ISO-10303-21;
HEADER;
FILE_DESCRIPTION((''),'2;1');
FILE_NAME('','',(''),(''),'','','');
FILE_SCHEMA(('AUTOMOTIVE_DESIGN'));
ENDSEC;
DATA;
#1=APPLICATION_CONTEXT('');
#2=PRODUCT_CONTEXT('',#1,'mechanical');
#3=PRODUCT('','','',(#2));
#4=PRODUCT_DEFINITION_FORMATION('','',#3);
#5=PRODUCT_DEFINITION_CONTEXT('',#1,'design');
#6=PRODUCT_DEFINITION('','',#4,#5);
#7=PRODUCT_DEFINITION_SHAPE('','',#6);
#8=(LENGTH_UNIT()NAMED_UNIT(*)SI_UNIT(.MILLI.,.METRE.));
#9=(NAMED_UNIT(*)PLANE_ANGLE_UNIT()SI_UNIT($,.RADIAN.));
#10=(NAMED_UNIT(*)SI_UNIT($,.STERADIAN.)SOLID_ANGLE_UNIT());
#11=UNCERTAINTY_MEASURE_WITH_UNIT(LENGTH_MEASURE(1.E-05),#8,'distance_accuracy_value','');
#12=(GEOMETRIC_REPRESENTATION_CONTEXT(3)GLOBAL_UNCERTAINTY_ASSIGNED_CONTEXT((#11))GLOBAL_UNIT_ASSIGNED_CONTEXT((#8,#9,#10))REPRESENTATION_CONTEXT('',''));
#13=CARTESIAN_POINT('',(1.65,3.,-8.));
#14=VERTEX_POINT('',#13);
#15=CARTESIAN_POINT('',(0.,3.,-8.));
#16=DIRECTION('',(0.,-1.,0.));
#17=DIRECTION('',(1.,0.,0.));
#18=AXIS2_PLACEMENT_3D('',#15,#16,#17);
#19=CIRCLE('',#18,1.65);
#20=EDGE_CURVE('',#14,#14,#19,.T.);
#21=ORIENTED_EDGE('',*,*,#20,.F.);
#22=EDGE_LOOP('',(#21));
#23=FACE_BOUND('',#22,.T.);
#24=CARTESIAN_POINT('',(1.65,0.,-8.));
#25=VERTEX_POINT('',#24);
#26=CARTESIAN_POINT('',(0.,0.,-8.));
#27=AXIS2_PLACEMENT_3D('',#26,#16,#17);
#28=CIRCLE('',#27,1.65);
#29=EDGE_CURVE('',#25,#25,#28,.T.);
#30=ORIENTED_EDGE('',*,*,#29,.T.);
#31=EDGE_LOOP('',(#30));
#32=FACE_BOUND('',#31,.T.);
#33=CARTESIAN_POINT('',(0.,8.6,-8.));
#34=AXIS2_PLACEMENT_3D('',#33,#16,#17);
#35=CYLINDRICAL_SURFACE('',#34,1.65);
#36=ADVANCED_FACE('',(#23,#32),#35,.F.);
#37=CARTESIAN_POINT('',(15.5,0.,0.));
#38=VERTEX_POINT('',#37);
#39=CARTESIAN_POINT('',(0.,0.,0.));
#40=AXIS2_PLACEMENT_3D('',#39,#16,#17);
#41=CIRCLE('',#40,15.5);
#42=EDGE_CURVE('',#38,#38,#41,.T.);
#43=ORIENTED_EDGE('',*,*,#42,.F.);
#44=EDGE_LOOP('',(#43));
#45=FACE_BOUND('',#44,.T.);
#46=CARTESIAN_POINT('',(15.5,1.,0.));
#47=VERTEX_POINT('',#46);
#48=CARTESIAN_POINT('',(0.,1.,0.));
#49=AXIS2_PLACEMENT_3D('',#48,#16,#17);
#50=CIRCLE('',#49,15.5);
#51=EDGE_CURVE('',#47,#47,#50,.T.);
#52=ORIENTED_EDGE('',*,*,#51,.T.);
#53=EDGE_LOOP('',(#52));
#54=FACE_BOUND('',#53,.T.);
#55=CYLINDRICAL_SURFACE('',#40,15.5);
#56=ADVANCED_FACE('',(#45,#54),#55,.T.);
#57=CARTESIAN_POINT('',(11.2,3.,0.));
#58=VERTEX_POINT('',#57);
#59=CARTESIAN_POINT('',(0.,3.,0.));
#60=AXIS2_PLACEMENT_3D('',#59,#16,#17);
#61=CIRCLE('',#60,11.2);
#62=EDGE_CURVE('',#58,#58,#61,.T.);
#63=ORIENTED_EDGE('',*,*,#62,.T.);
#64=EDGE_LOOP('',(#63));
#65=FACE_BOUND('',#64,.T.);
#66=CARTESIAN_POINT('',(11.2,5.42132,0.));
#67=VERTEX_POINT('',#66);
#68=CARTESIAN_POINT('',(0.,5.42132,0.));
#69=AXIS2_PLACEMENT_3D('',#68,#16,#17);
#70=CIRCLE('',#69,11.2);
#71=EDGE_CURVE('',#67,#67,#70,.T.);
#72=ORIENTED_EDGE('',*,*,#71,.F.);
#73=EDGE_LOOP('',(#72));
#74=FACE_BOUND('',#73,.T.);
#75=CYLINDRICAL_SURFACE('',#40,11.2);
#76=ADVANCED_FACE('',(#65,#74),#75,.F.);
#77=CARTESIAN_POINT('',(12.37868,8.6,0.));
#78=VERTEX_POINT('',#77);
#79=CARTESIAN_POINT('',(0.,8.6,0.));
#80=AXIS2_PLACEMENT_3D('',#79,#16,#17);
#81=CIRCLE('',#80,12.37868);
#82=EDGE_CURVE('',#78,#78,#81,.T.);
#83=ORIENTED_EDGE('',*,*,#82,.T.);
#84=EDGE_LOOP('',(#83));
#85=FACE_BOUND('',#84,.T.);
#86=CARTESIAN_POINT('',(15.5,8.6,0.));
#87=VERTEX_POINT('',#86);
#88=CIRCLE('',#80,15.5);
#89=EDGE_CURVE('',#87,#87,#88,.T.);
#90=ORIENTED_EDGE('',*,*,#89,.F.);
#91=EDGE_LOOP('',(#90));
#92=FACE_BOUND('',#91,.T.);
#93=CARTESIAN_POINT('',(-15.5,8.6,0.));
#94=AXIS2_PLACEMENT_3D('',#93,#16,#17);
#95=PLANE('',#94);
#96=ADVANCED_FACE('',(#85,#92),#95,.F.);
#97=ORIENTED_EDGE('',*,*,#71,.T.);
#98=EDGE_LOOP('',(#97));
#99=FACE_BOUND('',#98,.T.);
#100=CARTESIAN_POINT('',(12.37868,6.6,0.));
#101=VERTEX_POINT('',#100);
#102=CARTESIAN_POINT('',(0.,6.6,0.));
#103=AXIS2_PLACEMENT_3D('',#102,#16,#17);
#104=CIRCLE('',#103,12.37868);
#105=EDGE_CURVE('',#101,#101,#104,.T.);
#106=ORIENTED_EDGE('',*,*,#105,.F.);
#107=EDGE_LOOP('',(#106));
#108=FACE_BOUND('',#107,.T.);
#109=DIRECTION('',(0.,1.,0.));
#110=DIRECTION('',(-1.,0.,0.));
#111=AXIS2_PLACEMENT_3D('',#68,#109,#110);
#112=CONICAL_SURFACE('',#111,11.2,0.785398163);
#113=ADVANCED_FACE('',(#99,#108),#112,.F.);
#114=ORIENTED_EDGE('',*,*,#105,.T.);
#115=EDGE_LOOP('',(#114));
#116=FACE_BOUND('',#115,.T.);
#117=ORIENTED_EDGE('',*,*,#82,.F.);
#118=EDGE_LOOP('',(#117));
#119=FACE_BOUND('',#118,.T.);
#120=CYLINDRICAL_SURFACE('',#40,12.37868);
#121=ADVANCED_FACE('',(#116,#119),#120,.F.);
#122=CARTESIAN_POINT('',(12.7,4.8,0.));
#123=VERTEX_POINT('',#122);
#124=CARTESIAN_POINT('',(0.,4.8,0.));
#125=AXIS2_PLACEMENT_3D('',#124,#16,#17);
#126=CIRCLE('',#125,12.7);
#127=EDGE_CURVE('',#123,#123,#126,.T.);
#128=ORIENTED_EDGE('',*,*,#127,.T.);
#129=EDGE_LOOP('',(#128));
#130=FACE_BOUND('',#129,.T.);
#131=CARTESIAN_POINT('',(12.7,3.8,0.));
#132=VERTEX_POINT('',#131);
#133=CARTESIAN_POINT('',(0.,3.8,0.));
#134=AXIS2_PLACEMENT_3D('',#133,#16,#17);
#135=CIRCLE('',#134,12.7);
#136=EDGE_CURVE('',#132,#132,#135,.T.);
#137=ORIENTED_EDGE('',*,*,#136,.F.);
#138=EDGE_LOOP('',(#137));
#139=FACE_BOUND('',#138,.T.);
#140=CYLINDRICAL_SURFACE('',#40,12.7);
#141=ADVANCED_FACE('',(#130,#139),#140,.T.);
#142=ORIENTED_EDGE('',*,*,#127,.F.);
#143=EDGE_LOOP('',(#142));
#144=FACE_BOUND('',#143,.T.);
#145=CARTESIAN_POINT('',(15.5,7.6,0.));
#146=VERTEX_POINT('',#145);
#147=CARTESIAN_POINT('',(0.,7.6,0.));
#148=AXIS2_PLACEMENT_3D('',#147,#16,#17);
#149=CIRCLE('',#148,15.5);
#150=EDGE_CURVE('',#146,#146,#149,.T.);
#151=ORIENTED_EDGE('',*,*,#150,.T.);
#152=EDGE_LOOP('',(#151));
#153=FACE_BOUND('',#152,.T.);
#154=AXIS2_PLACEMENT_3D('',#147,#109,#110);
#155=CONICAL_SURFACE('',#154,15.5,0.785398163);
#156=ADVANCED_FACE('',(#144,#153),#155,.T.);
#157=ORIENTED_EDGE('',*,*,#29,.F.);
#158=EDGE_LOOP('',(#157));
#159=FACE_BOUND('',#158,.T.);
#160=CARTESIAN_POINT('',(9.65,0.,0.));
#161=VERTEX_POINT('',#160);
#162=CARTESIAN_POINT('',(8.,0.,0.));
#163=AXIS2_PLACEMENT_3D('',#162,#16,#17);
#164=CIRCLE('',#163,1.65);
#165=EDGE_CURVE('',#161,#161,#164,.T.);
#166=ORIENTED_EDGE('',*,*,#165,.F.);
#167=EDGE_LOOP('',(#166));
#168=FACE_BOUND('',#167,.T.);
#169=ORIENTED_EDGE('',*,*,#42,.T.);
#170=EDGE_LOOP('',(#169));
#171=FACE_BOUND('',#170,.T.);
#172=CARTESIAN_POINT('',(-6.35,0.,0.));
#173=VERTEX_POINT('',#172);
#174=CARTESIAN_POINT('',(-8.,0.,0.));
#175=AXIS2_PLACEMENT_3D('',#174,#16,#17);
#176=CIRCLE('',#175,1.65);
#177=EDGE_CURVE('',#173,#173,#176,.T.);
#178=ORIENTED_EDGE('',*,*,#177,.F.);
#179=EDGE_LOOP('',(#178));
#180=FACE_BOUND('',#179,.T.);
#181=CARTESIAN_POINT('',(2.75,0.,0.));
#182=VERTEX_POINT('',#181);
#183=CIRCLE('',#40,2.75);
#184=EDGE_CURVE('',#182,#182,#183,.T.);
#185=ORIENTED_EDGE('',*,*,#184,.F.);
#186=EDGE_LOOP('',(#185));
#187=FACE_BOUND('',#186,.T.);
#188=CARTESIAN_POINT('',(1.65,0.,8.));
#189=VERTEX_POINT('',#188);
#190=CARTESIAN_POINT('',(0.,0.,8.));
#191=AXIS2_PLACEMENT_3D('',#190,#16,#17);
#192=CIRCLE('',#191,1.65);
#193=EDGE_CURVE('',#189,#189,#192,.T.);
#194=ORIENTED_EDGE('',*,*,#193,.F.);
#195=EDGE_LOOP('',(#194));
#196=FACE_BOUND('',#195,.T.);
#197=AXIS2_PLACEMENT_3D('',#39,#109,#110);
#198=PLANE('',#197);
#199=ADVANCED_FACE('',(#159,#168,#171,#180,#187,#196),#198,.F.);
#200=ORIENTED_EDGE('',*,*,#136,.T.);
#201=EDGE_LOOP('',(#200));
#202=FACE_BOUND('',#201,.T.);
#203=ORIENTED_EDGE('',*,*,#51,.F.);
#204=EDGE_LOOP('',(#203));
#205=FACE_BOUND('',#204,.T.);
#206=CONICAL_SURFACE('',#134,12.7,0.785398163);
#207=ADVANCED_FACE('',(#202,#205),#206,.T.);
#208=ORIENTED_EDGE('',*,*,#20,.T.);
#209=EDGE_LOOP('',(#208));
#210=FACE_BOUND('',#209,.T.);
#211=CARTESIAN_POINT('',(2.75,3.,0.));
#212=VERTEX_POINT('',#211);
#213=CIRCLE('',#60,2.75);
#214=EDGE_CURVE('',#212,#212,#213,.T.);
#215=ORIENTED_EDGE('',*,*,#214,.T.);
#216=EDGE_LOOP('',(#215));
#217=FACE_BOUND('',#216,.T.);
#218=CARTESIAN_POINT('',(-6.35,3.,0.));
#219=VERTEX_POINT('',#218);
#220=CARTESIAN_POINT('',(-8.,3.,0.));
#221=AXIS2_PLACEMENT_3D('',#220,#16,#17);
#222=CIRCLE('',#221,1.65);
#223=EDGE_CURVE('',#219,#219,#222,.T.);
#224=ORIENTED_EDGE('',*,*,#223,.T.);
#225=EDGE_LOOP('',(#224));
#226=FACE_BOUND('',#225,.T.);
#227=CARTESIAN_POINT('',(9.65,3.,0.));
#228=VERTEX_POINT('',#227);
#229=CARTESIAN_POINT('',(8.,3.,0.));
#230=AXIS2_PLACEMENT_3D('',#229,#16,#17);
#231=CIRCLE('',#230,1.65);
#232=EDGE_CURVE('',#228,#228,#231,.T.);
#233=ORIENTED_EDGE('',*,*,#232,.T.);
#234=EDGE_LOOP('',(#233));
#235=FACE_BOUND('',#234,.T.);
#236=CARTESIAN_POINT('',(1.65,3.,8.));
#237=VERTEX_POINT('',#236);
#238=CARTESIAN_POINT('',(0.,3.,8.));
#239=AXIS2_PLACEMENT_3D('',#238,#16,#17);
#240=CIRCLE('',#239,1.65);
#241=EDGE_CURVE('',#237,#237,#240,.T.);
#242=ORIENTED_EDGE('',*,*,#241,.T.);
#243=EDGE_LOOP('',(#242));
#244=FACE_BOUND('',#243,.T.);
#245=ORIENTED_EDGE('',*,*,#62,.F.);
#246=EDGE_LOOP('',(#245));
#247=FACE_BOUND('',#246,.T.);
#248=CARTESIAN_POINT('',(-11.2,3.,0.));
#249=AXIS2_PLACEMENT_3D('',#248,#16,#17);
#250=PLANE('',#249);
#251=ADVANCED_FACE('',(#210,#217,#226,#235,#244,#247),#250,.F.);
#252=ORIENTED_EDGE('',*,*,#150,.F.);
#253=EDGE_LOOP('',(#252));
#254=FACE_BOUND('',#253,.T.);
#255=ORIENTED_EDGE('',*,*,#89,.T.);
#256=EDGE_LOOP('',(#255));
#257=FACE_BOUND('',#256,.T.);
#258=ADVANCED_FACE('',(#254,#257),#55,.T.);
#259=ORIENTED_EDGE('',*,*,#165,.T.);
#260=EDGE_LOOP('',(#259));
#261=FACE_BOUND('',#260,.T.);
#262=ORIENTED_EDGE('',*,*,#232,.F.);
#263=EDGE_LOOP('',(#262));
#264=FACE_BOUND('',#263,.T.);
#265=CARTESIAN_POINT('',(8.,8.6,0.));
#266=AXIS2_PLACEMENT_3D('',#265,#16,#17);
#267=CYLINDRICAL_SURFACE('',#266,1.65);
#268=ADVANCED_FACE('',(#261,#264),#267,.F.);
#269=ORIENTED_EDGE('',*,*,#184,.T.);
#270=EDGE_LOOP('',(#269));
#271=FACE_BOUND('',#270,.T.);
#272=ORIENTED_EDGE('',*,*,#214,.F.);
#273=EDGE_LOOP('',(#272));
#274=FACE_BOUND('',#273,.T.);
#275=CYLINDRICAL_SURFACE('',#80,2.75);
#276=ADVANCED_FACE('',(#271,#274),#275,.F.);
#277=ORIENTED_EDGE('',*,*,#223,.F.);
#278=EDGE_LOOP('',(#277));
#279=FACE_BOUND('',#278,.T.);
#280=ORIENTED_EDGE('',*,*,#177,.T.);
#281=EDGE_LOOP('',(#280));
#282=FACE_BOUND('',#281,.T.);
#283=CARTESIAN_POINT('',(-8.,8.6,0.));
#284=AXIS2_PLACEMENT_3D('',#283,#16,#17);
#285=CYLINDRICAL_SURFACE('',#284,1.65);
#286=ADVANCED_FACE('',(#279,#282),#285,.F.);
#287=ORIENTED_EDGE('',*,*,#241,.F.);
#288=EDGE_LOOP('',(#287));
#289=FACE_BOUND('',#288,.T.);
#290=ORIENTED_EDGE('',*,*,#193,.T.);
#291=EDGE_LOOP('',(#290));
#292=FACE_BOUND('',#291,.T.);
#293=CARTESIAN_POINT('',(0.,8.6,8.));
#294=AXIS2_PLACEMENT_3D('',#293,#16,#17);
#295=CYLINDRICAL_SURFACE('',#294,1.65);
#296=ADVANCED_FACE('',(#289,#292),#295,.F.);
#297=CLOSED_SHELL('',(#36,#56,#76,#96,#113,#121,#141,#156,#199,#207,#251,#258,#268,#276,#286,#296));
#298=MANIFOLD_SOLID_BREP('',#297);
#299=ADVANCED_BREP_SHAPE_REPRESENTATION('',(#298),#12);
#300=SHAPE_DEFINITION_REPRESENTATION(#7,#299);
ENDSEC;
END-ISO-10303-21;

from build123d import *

# Parameters (mm, degrees)
SKETCH_3_R          = 2.75
SKETCH_3_R_2        = 1.65
CUT_EXTRUDE_1_DEPTH = 24.546974328


with BuildPart() as part:
    # 草图2 → 旋转1 (revolve)
    with BuildSketch(Plane.XY):
        Polygon((0, 0), (-15.5, 0), (-15.5, 1), (-12.7, 3.8), (-12.7, 4.8), (-15.5, 7.6), (-15.5, 8.6), (-12.378679656, 8.6), (-12.378679656, 6.6), (-11.2, 5.421320344), (-11.2, 3), (0, 3), (0, 1.5), align=None)
    revolve(axis=Axis((0, 0, 0), (0, 1, 0)))

    # 草图3 → 切除-拉伸1 (cut, through all)
    with BuildSketch(Plane.XZ):
        Circle(SKETCH_3_R)
        with Locations((0, 8)):
            Circle(SKETCH_3_R_2)
        with Locations((8, 0)):
            Circle(SKETCH_3_R_2)
        with Locations((0, -8)):
            Circle(SKETCH_3_R_2)
        with Locations((-8, 0)):
            Circle(SKETCH_3_R_2)
    extrude(amount=-CUT_EXTRUDE_1_DEPTH, mode=Mode.SUBTRACT)


solid = part.part
